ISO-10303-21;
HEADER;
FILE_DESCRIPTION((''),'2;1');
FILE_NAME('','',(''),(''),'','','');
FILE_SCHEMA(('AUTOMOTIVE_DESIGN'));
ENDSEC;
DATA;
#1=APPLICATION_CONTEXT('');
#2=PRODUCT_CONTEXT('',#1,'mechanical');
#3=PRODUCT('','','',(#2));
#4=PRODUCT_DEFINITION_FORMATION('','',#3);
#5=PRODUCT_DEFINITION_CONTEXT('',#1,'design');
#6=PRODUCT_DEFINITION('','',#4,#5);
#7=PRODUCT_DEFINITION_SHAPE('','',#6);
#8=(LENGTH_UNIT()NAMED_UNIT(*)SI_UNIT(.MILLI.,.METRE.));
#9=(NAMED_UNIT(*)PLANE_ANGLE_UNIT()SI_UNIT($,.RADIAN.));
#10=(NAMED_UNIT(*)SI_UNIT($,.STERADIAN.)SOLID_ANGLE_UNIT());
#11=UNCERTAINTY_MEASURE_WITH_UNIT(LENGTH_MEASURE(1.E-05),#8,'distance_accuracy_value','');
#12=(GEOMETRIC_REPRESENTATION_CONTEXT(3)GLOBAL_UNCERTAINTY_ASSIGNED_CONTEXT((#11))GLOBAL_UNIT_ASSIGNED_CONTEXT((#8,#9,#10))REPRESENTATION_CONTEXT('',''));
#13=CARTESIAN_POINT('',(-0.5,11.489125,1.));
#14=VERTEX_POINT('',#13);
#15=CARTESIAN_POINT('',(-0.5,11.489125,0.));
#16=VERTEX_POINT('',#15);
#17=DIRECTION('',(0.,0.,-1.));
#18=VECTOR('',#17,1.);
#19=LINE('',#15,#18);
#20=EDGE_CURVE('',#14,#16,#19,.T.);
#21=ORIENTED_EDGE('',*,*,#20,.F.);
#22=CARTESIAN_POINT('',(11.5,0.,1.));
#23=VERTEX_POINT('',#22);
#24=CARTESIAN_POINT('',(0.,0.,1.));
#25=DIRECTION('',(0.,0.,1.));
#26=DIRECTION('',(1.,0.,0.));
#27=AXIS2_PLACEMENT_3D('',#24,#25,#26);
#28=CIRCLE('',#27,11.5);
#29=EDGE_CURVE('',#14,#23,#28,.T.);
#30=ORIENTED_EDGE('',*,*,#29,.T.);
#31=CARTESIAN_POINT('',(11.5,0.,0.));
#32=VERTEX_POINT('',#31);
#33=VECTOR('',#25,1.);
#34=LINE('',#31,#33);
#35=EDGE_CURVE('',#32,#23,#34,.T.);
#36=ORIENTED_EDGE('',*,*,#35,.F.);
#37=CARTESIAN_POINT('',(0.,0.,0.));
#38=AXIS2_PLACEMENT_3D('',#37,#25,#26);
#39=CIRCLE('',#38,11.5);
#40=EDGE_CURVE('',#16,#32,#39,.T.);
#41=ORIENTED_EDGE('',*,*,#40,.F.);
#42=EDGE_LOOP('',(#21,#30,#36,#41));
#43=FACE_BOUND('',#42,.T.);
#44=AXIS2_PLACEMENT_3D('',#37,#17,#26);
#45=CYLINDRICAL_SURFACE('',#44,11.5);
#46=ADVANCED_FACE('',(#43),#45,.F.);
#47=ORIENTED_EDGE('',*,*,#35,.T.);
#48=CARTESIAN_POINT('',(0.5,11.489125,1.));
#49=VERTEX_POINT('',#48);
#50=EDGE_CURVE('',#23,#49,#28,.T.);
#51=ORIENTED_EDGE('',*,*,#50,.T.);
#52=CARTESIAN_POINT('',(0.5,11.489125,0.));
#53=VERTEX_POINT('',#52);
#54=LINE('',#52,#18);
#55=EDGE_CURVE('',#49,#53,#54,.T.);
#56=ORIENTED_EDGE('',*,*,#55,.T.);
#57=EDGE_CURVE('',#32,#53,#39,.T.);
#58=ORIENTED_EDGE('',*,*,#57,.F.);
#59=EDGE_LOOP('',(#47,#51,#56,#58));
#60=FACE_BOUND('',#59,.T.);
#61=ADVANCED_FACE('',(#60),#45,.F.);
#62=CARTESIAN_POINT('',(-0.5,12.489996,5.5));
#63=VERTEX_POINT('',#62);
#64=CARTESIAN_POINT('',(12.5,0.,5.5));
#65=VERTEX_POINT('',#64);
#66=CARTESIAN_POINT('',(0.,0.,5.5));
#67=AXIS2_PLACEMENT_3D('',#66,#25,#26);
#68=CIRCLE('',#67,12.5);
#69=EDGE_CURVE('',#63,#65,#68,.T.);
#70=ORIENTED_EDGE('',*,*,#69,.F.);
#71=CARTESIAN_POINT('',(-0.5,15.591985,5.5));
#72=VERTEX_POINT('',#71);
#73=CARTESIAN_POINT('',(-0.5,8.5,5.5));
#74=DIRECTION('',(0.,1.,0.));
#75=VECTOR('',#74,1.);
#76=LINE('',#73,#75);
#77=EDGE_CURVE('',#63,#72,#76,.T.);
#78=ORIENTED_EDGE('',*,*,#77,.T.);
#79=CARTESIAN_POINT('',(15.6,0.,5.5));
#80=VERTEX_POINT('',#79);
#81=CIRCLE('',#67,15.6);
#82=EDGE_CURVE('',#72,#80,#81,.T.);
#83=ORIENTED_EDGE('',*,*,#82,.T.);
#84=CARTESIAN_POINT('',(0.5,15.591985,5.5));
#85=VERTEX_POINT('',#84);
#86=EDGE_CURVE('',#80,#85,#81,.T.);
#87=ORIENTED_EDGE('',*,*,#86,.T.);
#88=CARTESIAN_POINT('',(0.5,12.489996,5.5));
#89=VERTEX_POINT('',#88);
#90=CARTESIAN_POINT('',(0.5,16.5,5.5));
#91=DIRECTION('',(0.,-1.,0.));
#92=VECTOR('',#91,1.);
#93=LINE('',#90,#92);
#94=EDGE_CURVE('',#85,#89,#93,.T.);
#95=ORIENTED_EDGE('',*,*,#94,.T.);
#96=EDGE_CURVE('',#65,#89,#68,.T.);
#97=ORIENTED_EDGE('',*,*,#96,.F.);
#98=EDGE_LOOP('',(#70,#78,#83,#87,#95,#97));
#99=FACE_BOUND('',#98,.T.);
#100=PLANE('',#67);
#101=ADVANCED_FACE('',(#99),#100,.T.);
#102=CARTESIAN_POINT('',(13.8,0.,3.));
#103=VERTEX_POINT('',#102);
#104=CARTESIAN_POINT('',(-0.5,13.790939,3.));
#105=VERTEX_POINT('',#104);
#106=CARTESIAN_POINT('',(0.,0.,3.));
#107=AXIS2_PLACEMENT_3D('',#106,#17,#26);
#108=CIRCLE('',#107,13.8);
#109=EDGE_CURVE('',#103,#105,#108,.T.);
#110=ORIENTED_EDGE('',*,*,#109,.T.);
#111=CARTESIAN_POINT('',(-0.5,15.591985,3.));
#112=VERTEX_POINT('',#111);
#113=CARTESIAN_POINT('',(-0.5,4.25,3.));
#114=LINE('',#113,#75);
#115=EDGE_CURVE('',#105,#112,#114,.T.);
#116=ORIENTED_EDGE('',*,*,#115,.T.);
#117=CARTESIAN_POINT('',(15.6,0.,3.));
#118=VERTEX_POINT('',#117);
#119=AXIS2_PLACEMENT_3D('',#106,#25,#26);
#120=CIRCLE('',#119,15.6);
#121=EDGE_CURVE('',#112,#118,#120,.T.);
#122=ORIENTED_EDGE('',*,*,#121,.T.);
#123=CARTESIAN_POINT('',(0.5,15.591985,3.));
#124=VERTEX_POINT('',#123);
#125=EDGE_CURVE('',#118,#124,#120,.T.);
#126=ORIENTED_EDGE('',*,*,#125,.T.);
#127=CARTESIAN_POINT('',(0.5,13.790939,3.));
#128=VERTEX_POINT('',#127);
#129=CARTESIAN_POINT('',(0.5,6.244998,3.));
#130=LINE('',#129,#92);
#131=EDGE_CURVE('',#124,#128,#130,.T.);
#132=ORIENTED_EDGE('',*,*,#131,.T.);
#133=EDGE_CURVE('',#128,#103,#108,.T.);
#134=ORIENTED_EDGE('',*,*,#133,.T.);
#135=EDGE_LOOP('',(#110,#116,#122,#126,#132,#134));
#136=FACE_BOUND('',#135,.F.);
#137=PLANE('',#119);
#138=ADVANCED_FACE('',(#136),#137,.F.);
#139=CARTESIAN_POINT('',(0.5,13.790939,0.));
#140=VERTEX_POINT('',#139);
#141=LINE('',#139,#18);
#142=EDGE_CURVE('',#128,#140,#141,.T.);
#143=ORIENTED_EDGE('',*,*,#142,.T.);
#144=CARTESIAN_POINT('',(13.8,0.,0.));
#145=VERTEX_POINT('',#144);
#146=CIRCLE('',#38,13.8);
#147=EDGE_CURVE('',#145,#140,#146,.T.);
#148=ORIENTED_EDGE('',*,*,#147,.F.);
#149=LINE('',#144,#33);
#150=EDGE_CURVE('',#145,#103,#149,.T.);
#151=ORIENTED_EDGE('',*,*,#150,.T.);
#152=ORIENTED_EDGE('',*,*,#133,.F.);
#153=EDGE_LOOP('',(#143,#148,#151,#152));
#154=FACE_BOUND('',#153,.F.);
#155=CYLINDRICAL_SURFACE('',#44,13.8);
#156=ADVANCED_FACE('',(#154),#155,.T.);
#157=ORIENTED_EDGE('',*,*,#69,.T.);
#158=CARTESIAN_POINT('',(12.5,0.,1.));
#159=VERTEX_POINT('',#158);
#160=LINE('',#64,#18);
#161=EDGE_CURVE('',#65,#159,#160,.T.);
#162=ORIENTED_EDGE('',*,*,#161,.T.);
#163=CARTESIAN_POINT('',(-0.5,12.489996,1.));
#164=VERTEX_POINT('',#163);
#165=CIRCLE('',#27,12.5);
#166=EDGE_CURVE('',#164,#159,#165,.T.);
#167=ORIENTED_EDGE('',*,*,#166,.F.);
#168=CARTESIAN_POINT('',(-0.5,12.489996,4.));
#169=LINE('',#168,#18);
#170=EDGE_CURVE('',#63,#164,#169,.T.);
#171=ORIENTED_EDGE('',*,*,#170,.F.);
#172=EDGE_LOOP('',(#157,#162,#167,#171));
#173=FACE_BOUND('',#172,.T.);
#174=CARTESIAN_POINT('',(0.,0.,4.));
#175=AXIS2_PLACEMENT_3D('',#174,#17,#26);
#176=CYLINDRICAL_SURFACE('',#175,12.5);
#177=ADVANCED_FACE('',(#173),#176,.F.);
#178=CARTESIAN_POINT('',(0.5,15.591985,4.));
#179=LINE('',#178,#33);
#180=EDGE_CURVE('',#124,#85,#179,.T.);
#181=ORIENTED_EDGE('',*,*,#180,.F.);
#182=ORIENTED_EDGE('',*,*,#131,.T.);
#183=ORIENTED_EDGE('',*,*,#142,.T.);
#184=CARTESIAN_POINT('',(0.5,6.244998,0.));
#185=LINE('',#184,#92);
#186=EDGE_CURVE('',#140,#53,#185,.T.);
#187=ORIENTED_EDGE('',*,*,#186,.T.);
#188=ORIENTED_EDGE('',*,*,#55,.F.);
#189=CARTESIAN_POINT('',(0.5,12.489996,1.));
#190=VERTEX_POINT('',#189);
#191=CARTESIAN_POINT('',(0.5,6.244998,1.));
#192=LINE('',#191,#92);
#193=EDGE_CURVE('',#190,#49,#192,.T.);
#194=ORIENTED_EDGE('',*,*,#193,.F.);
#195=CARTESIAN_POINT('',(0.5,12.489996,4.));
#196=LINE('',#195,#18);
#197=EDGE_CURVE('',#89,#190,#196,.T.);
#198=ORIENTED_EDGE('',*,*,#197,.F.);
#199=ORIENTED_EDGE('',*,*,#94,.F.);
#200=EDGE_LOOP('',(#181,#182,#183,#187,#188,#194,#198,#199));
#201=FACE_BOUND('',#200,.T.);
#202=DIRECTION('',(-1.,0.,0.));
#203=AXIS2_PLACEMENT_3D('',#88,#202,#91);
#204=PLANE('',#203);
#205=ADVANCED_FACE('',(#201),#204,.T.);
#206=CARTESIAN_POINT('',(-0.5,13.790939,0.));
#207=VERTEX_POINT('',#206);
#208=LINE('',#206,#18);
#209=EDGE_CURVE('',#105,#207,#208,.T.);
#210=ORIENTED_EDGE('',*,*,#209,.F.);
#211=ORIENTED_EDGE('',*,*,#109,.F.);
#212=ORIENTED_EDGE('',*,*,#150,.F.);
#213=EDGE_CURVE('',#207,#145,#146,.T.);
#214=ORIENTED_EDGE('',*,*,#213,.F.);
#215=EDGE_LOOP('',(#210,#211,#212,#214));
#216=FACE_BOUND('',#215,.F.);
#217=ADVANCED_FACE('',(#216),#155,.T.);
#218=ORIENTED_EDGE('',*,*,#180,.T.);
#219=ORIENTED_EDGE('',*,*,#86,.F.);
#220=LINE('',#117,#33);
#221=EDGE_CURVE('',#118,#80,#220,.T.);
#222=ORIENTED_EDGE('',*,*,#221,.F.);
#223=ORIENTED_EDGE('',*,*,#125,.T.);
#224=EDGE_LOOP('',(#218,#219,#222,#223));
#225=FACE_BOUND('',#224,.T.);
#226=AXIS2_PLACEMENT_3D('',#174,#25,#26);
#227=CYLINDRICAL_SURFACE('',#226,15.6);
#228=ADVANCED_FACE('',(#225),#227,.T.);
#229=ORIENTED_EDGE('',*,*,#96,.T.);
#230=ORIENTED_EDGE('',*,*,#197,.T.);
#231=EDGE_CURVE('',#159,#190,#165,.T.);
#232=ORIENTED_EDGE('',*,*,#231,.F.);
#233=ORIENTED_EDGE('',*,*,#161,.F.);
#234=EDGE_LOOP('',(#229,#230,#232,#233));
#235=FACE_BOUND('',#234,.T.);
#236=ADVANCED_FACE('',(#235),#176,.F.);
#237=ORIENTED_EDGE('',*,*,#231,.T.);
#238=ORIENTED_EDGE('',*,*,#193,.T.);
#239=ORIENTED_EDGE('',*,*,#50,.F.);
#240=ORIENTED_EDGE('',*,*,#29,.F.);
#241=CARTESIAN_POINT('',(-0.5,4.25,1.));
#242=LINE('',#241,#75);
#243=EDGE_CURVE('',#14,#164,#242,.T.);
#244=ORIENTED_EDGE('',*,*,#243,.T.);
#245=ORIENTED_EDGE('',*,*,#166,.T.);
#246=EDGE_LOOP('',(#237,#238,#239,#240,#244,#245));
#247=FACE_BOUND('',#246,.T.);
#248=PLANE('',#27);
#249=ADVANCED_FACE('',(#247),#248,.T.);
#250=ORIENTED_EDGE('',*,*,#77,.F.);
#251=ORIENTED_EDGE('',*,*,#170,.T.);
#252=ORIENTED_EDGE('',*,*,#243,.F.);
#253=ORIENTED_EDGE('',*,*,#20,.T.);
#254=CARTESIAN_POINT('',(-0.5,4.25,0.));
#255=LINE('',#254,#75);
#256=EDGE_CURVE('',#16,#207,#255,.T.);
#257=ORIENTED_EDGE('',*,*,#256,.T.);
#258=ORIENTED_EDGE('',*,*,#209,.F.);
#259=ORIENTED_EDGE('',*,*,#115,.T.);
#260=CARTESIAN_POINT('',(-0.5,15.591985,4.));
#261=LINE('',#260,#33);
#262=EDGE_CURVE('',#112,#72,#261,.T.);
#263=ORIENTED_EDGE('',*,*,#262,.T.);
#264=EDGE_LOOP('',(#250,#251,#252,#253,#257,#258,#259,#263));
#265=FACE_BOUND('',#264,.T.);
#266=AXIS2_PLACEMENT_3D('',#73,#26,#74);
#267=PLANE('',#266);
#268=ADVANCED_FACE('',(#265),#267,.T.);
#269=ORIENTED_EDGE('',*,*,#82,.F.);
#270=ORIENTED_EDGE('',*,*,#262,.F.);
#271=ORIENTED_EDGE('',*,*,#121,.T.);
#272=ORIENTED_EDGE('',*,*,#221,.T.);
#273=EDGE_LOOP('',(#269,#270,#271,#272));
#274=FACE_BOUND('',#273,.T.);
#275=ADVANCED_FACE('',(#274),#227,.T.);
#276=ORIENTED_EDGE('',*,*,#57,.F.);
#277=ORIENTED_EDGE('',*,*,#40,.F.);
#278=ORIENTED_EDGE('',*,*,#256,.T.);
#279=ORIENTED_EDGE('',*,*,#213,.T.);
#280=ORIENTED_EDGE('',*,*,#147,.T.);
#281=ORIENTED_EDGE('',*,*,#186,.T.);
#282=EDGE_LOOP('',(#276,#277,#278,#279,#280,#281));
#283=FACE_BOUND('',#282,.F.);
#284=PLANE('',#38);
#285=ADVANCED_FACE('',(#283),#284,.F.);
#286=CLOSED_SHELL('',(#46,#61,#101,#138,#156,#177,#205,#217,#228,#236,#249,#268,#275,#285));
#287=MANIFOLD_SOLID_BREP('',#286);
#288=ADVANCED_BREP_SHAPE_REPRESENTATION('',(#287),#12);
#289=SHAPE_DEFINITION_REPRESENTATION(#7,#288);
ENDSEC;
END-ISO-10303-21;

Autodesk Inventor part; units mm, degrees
ref_plane "YZ Plane" through (0, 0, 0) normal (1, 0, 0) x (0, 1, 0)
ref_plane "XZ Plane" through (0, 0, 0) normal (0, 1, 0) x (-1, 0, 0)
ref_plane "XY Plane" through (0, 0, 0) normal (0, 0, 1) x (1, 0, 0)
sketch "Sketch1" plane through (0, 0, 0) normal (0, 0, 1) x (1, 0, 0)
  circle A0 centre (0, 0) radius 13.8
  circle A1 centre (0, 0) radius 11.5
  circle A2 centre (0, 0) radius 15.6
  circle A3 centre (0, 0) radius 12.5
  dimension "d0" = 27.6
  dimension "d1" = 23
  dimension "d2" = 31.2
  dimension "d3" = 25
extrude "Extrusion1" add sketch "Sketch1" along normal blind 1 contours A3
extrude "Extrusion2" add sketch "Sketch1" along normal blind 4 contours A0
sketch "Sketch2" plane through (0, 0, 4) normal (0, 0, 1) x (1, 0, 0)
  circle A0 centre (0, 0) radius 15.6 projected
  circle A1 centre (0, 0) radius 12.5 projected
extrude "Extrusion3" add sketch "Sketch2" along normal blind 1.5
extrude "Extrusion5" add sketch "Sketch2" against normal blind 1
sketch "Sketch3" plane through (0, 0, 5.5) normal (0, 0, 1) x (1, 0, 0)
  line L0 (0.5, 8.5) -> (-0.5, 8.5)
  line L1 (-0.5, 8.5) -> (-0.5, 16.5)
  line L2 (-0.5, 16.5) -> (0.5, 16.5)
  line L3 (0.5, 16.5) -> (0.5, 8.5)
  circle A0 centre (0, 0) radius 12.5 projected
  line L4 (0.5, 8.5) -> (-0.5, 16.5) construction
  line L5 (-0.5, 8.5) -> (0.5, 16.5) construction
  point P0 (0, 12.5)
  dimension "d10" = 1
  dimension "d11" = 8
extrude "Extrusion4" cut sketch "Sketch3" against normal blind 10 contours L0 L1 A0 L3 | A0 L1 L2 L3 picked at (0.0556, 9.833)
properties part number "25mmFilterAdapter"
